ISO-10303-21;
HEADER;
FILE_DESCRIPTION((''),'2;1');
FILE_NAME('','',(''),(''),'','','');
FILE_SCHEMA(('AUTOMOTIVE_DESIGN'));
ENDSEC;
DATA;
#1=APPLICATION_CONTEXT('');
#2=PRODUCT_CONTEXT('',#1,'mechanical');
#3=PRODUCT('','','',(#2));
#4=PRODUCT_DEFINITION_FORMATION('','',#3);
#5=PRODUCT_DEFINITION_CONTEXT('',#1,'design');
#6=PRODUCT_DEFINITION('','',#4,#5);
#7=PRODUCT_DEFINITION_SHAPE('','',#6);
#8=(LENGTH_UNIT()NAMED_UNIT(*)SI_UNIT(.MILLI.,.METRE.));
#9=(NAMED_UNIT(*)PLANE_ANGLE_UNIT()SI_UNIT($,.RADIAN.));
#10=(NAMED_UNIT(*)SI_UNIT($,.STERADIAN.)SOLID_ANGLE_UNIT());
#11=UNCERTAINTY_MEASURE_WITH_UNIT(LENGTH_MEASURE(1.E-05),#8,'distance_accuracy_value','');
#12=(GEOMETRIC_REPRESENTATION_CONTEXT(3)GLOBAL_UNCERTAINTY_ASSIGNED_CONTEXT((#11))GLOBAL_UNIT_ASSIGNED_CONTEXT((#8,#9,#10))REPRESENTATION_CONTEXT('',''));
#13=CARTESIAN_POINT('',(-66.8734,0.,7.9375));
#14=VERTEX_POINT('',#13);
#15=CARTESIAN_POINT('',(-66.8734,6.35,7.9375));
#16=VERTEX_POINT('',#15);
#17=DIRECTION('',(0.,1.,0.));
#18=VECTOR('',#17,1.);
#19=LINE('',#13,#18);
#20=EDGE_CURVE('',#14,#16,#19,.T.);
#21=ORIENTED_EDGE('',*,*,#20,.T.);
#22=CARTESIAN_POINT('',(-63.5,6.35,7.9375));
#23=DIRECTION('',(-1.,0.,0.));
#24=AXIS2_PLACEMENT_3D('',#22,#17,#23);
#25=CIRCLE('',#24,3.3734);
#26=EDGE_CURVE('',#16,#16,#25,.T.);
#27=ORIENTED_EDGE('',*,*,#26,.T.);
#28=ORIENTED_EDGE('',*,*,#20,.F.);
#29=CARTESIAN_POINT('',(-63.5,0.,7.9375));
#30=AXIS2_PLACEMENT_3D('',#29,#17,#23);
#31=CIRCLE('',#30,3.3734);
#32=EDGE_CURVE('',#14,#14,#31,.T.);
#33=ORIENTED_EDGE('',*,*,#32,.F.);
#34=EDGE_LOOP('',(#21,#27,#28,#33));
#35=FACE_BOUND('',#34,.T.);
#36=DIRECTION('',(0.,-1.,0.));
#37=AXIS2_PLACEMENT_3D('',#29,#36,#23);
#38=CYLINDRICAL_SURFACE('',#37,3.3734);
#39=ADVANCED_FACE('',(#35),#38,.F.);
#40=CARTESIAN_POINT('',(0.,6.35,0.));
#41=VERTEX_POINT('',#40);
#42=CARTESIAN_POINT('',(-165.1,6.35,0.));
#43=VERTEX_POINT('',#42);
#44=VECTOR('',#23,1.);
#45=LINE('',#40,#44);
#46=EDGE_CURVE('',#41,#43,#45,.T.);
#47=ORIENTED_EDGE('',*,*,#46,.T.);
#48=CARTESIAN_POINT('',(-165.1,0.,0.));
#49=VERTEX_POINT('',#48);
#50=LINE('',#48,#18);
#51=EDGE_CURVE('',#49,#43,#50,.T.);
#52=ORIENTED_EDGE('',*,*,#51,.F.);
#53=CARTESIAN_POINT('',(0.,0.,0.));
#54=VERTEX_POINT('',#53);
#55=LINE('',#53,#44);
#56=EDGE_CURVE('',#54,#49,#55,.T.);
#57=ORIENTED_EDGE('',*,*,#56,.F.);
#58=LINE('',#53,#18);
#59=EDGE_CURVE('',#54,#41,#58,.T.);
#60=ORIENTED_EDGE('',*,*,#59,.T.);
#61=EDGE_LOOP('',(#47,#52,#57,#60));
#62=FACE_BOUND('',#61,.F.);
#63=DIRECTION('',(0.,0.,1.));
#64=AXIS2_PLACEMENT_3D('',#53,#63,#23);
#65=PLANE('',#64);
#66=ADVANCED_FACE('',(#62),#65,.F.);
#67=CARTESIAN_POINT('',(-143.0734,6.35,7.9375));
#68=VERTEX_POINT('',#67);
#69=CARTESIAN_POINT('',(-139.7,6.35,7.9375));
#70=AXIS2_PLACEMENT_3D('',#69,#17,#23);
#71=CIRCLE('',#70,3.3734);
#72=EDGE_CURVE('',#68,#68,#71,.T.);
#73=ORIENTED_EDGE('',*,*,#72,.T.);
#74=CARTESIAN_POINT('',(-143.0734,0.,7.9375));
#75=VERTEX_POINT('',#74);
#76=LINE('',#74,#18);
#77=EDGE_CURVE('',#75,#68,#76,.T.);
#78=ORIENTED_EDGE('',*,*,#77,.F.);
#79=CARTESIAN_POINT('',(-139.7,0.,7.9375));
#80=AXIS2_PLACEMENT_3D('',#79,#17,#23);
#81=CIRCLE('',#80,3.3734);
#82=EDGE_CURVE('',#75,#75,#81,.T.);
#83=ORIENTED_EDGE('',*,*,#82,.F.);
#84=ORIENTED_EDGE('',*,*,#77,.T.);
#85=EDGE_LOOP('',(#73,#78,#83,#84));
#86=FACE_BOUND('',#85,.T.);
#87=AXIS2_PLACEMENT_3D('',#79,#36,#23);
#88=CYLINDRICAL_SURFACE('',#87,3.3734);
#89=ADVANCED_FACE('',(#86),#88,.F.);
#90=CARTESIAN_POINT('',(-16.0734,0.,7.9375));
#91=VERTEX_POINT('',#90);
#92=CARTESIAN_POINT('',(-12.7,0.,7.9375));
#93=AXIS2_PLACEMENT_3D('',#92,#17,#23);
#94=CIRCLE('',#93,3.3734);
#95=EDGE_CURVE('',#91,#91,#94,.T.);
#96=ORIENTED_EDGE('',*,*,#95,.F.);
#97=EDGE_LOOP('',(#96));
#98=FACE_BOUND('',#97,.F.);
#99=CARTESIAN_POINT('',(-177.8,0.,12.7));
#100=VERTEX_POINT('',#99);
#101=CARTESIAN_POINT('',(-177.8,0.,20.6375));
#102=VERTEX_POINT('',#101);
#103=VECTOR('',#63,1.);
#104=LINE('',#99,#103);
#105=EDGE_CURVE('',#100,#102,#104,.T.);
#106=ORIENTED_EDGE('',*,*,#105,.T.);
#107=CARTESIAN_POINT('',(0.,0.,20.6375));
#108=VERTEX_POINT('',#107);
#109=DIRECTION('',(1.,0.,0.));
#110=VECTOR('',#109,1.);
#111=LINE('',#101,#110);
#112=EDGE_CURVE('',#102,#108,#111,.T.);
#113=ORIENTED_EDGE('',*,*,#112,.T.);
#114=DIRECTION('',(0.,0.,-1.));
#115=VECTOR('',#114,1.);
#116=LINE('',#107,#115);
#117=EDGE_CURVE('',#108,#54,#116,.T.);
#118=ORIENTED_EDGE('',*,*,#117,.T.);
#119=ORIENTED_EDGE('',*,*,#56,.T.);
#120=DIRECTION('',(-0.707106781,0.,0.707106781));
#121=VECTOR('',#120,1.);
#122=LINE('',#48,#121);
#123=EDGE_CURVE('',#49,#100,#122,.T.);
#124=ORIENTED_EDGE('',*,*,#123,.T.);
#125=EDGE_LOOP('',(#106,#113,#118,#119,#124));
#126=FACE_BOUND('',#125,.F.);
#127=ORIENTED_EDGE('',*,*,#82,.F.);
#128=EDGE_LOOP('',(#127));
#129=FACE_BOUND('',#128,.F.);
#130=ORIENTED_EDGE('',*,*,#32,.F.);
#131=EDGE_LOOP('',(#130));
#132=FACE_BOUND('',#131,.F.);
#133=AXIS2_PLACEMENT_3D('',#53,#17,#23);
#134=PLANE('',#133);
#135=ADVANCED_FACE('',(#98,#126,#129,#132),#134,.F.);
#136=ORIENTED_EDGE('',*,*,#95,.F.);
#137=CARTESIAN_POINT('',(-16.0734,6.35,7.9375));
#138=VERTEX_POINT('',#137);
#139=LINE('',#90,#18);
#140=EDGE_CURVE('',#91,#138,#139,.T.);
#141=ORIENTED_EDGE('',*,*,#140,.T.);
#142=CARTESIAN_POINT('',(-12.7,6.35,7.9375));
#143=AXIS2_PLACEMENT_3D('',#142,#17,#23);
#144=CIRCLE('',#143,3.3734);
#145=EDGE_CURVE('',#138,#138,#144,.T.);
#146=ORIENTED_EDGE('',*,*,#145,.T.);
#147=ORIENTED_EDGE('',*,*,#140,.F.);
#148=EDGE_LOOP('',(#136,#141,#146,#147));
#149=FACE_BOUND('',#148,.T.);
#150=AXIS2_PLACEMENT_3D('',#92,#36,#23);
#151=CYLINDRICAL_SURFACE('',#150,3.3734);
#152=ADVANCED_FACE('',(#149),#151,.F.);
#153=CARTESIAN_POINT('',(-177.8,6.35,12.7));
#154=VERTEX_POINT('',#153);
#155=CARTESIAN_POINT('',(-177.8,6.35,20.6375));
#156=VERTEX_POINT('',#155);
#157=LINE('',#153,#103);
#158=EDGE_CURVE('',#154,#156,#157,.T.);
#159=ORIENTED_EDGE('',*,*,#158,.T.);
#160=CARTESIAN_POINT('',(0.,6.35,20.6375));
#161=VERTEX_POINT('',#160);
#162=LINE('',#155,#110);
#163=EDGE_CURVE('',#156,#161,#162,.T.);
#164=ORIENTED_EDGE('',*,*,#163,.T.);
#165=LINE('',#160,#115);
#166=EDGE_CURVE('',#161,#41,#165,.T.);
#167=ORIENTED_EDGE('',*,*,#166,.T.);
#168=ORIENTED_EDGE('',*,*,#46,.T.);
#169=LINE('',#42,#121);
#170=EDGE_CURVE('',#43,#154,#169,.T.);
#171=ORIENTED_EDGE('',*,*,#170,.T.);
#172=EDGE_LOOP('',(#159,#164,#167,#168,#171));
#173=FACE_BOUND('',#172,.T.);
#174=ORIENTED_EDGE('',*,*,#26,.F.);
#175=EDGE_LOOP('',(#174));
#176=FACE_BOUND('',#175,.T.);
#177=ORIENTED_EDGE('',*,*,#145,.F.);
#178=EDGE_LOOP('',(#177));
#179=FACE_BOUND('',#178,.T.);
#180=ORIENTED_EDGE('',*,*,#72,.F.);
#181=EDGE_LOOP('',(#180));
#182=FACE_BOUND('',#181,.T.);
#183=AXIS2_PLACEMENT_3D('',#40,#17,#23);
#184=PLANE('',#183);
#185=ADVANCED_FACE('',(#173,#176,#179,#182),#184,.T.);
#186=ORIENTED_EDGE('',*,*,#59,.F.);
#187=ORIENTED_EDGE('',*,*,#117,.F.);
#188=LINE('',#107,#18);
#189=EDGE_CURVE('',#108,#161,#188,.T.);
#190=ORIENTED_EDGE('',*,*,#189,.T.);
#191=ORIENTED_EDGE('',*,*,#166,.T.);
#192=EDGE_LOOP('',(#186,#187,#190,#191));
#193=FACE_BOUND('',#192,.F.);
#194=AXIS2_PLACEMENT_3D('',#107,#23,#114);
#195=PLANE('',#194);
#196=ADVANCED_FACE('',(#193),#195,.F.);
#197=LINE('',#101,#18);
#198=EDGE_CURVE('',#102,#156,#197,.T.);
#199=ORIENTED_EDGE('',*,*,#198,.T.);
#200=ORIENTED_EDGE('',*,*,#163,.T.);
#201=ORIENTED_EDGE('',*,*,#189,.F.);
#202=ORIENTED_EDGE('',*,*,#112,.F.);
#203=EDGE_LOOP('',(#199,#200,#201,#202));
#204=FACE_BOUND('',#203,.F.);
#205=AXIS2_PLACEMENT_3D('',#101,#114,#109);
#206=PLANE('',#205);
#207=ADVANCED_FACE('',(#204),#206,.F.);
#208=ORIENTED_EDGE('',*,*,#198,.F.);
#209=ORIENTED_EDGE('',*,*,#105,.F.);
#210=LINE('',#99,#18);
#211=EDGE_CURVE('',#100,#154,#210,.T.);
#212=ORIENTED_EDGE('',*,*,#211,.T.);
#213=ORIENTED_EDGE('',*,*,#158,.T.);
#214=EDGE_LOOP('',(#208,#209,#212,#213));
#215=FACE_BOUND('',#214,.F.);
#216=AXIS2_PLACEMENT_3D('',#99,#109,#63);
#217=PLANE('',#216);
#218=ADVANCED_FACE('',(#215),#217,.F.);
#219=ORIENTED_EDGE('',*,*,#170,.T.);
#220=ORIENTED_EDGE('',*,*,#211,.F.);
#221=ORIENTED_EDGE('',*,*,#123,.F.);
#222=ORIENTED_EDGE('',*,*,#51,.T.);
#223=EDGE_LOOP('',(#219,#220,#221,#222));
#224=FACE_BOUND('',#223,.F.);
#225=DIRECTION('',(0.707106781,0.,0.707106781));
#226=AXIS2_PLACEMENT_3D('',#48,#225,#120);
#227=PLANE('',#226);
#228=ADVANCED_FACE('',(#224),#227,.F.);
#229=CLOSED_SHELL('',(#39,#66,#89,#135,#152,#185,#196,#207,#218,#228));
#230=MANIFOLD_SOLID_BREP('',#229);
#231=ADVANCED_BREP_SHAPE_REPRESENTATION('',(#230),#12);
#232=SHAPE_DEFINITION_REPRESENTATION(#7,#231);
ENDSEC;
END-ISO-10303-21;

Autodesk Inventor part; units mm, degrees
ref_plane "YZ Plane" through (0, 0, 0) normal (1, 0, 0) x (0, 1, 0)
ref_plane "XZ Plane" through (0, 0, 0) normal (0, 1, 0) x (-1, 0, 0)
ref_plane "XY Plane" through (0, 0, 0) normal (0, 0, 1) x (1, 0, 0)
sketch "Sketch1" plane through (0, 0, 0) normal (0, 1, 0) x (-1, 0, 0)
  line L0 (0, 0) -> (165.1, 0)
  line L1 (177.8, 12.7) -> (177.8, 20.6375)
  line L2 (177.8, 20.6375) -> (0, 20.6375)
  line L3 (0, 20.6375) -> (0, 0)
  line L4 (165.1, 0) -> (177.8, 12.7)
  circle A0 centre (139.7, 7.9375) radius 3.3734
  circle A1 centre (63.5, 7.9375) radius 3.3734
  circle A2 centre (12.7, 7.9375) radius 3.3734
  point P0 (177.8, 0)
  dimension "d0" = 177.8
  dimension "d1" = 20.6375
  dimension "d2" = 12.7
  dimension "d3" = 12.7
  dimension "d4" = 12.7
  dimension "d5" = 12.7
  dimension "d6" = 12.7
  dimension "d7" = 12.7
  dimension "d8" = 63.5
  dimension "d9" = 139.7
  dimension "d10" = 6.7469
  dimension "d11" = 6.7469
  dimension "d12" = 6.7469
extrude "Extrusion1" add sketch "Sketch1" along normal blind 6.35
equation "\"d3\" = d2"
properties part number "gusset guard" material "Aluminum 6061"
